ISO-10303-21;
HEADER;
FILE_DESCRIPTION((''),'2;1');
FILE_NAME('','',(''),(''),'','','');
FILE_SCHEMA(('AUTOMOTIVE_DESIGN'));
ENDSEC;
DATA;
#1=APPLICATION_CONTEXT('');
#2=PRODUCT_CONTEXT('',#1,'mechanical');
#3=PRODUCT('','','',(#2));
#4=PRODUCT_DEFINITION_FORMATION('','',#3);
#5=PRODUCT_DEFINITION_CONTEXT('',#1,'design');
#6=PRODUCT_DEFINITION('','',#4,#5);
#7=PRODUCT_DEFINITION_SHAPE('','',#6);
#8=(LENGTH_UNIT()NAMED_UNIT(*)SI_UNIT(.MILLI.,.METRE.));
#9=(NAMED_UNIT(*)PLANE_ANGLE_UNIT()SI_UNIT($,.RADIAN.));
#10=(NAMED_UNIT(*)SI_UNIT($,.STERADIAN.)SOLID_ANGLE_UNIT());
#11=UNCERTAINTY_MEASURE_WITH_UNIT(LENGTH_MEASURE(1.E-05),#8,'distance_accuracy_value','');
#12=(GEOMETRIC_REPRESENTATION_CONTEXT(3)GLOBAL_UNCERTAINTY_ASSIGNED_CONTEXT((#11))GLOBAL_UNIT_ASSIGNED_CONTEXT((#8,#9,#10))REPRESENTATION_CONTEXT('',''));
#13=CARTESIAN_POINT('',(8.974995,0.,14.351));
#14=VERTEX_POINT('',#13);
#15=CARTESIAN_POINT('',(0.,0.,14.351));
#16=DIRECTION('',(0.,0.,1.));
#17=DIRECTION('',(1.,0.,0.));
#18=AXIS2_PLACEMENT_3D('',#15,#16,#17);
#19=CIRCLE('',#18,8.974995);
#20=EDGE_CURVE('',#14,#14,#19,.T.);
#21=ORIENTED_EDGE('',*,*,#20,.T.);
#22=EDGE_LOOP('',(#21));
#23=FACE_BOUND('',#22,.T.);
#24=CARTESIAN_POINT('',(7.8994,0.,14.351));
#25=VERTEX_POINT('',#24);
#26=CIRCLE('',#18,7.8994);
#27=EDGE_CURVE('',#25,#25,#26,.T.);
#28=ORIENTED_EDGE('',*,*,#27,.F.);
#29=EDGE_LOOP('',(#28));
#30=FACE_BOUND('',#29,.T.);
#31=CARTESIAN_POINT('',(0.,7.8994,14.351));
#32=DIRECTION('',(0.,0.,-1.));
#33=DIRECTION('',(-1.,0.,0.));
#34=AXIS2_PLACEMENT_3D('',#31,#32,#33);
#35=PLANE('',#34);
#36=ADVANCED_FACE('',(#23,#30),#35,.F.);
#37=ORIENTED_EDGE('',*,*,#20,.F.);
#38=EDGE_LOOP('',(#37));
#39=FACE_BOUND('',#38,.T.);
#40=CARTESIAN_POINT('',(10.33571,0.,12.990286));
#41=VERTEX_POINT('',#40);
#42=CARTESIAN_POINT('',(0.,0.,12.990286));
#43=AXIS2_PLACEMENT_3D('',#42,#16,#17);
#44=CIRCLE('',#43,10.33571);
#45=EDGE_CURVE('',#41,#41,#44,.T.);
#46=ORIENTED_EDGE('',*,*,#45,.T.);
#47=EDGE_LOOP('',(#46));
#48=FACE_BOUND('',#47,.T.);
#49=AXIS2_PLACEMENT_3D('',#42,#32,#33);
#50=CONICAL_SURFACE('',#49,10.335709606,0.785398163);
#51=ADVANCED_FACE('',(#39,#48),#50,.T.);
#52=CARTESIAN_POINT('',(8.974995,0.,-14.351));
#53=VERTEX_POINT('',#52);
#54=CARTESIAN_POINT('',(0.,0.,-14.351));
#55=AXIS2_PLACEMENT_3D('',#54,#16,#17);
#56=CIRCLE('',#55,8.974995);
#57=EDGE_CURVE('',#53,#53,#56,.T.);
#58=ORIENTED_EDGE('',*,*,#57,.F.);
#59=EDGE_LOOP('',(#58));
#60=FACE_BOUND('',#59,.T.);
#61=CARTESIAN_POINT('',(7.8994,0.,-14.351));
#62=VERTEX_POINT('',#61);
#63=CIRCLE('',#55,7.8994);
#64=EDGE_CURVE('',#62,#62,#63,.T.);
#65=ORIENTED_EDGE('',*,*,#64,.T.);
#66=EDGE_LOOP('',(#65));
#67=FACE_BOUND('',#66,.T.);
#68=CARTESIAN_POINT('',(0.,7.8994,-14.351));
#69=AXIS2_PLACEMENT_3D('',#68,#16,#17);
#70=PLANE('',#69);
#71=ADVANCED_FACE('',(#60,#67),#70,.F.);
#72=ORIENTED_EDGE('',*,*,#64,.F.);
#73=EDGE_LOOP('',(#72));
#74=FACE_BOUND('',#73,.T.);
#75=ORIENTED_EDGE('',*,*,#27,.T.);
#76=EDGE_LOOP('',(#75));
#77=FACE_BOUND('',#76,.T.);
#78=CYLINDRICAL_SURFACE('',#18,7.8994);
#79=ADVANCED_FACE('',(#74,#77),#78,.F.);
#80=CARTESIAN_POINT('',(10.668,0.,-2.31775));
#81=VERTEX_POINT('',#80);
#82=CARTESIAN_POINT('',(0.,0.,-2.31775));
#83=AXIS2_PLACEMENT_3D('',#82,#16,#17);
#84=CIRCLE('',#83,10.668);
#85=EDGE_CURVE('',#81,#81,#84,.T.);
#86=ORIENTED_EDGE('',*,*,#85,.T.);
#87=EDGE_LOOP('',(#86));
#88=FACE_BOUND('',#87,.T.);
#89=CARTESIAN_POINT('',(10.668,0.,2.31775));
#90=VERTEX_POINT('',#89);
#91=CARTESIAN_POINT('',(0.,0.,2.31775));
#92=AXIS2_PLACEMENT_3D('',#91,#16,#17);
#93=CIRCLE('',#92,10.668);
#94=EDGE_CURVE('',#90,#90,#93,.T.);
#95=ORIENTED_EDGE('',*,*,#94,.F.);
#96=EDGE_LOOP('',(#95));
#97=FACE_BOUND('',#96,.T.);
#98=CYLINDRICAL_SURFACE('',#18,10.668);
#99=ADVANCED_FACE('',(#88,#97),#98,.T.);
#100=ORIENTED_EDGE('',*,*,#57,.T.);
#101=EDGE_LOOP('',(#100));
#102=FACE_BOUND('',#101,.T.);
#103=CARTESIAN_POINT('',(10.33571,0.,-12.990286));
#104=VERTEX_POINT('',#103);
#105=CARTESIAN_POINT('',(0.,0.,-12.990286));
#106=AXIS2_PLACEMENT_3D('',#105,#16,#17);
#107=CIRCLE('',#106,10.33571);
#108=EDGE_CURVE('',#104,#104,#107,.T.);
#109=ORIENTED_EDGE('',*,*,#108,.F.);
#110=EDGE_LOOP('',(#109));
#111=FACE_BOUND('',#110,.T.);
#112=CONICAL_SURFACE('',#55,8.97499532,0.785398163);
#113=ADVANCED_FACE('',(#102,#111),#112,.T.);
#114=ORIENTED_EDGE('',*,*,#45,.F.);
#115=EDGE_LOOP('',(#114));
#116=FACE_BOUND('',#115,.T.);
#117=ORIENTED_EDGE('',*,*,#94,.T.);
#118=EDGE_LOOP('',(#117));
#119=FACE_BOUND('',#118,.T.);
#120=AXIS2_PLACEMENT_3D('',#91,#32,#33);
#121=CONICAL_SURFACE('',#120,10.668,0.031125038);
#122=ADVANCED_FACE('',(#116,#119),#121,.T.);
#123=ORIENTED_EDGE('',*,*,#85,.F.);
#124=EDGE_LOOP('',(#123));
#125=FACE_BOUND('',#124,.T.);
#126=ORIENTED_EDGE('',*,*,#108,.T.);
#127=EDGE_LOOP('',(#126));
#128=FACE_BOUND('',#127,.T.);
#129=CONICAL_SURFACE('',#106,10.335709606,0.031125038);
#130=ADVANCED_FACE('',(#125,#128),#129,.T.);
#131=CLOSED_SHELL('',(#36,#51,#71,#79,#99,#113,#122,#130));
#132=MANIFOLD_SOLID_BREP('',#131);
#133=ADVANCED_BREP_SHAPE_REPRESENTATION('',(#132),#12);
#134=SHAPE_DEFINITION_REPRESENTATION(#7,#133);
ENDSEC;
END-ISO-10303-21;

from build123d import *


with BuildPart() as part:
    # Sketch1 → Revolve1 (revolve)
    with BuildSketch(Plane(origin=(0, 0, 0), x_dir=(0, 0, -1), z_dir=(1, 0, 0))):
        Polygon((-14.351, 7.8994), (-14.351, 8.97499532), (-12.990285714, 10.335709606), (-2.31775, 10.668), (2.31775, 10.668), (12.990285714, 10.335709606), (14.351, 8.97499532), (14.351, 7.8994), align=None)
    revolve(axis=Axis((0, 0, 14.351), (0, 0, -1)))


solid = part.part
